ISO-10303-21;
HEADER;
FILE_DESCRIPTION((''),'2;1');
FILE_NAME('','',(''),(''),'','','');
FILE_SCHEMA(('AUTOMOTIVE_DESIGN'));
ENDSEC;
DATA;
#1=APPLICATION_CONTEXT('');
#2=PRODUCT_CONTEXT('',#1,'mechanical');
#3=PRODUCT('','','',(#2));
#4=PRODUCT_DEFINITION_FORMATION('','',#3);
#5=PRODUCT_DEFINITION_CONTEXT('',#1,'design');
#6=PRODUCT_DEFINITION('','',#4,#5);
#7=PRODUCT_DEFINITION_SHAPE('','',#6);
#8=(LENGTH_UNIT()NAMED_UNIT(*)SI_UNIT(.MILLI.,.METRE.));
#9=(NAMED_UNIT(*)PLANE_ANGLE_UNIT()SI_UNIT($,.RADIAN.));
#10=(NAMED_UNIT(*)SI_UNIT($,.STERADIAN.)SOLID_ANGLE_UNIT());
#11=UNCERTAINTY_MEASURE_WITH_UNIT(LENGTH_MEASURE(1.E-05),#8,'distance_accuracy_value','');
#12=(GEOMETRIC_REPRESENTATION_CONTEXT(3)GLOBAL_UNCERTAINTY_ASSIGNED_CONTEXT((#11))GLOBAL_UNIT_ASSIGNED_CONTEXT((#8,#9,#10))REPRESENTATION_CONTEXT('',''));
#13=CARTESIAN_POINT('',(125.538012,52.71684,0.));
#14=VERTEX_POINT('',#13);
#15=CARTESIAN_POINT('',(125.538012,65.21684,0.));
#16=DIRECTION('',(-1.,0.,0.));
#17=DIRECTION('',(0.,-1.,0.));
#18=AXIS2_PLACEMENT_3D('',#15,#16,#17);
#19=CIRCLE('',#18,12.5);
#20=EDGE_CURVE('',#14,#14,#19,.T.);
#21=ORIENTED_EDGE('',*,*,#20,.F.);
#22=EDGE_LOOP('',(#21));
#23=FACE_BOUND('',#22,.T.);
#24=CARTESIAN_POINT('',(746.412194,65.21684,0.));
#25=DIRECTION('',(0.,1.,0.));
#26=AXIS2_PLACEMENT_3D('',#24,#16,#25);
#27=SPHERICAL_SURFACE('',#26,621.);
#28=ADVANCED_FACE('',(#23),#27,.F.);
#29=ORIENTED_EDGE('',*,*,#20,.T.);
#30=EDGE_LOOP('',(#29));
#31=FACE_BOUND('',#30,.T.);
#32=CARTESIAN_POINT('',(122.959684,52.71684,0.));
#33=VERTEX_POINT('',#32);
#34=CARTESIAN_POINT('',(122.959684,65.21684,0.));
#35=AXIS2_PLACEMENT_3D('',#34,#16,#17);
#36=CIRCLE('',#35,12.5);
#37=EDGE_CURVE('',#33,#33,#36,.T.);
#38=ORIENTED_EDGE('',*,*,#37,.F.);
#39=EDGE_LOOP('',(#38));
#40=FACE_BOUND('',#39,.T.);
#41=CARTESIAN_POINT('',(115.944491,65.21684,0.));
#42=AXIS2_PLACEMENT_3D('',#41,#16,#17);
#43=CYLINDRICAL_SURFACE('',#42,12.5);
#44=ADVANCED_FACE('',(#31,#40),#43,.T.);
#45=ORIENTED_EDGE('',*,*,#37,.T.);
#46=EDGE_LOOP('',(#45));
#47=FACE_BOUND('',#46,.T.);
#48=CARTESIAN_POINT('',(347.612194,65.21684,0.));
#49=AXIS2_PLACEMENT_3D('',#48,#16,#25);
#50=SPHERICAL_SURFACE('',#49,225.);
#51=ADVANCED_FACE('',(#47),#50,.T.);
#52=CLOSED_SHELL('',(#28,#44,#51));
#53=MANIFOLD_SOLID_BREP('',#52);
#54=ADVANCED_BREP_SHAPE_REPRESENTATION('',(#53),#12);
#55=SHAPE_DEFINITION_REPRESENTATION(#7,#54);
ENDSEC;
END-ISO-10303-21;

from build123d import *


with BuildPart() as part:
    # 草图1 → 旋转1 (revolve)
    with BuildSketch(Plane.XY):
        with BuildLine():
            Line((122.959684254, 77.716840471), (125.538011592, 77.716840471))
            ThreePointArc((125.538011592, 77.716840471), (125.443648965, 71.467157066), (125.412193694, 65.216840471))
            Line((125.412193694, 65.216840471), (122.612193699, 65.216840471))
            ThreePointArc((122.612193699, 65.216840471), (122.699083115, 71.469254998), (122.959684254, 77.716840471))
        make_face()
    revolve(axis=Axis((115.944491298, 65.216840471, 0), (1, 0, 0)))


solid = part.part
